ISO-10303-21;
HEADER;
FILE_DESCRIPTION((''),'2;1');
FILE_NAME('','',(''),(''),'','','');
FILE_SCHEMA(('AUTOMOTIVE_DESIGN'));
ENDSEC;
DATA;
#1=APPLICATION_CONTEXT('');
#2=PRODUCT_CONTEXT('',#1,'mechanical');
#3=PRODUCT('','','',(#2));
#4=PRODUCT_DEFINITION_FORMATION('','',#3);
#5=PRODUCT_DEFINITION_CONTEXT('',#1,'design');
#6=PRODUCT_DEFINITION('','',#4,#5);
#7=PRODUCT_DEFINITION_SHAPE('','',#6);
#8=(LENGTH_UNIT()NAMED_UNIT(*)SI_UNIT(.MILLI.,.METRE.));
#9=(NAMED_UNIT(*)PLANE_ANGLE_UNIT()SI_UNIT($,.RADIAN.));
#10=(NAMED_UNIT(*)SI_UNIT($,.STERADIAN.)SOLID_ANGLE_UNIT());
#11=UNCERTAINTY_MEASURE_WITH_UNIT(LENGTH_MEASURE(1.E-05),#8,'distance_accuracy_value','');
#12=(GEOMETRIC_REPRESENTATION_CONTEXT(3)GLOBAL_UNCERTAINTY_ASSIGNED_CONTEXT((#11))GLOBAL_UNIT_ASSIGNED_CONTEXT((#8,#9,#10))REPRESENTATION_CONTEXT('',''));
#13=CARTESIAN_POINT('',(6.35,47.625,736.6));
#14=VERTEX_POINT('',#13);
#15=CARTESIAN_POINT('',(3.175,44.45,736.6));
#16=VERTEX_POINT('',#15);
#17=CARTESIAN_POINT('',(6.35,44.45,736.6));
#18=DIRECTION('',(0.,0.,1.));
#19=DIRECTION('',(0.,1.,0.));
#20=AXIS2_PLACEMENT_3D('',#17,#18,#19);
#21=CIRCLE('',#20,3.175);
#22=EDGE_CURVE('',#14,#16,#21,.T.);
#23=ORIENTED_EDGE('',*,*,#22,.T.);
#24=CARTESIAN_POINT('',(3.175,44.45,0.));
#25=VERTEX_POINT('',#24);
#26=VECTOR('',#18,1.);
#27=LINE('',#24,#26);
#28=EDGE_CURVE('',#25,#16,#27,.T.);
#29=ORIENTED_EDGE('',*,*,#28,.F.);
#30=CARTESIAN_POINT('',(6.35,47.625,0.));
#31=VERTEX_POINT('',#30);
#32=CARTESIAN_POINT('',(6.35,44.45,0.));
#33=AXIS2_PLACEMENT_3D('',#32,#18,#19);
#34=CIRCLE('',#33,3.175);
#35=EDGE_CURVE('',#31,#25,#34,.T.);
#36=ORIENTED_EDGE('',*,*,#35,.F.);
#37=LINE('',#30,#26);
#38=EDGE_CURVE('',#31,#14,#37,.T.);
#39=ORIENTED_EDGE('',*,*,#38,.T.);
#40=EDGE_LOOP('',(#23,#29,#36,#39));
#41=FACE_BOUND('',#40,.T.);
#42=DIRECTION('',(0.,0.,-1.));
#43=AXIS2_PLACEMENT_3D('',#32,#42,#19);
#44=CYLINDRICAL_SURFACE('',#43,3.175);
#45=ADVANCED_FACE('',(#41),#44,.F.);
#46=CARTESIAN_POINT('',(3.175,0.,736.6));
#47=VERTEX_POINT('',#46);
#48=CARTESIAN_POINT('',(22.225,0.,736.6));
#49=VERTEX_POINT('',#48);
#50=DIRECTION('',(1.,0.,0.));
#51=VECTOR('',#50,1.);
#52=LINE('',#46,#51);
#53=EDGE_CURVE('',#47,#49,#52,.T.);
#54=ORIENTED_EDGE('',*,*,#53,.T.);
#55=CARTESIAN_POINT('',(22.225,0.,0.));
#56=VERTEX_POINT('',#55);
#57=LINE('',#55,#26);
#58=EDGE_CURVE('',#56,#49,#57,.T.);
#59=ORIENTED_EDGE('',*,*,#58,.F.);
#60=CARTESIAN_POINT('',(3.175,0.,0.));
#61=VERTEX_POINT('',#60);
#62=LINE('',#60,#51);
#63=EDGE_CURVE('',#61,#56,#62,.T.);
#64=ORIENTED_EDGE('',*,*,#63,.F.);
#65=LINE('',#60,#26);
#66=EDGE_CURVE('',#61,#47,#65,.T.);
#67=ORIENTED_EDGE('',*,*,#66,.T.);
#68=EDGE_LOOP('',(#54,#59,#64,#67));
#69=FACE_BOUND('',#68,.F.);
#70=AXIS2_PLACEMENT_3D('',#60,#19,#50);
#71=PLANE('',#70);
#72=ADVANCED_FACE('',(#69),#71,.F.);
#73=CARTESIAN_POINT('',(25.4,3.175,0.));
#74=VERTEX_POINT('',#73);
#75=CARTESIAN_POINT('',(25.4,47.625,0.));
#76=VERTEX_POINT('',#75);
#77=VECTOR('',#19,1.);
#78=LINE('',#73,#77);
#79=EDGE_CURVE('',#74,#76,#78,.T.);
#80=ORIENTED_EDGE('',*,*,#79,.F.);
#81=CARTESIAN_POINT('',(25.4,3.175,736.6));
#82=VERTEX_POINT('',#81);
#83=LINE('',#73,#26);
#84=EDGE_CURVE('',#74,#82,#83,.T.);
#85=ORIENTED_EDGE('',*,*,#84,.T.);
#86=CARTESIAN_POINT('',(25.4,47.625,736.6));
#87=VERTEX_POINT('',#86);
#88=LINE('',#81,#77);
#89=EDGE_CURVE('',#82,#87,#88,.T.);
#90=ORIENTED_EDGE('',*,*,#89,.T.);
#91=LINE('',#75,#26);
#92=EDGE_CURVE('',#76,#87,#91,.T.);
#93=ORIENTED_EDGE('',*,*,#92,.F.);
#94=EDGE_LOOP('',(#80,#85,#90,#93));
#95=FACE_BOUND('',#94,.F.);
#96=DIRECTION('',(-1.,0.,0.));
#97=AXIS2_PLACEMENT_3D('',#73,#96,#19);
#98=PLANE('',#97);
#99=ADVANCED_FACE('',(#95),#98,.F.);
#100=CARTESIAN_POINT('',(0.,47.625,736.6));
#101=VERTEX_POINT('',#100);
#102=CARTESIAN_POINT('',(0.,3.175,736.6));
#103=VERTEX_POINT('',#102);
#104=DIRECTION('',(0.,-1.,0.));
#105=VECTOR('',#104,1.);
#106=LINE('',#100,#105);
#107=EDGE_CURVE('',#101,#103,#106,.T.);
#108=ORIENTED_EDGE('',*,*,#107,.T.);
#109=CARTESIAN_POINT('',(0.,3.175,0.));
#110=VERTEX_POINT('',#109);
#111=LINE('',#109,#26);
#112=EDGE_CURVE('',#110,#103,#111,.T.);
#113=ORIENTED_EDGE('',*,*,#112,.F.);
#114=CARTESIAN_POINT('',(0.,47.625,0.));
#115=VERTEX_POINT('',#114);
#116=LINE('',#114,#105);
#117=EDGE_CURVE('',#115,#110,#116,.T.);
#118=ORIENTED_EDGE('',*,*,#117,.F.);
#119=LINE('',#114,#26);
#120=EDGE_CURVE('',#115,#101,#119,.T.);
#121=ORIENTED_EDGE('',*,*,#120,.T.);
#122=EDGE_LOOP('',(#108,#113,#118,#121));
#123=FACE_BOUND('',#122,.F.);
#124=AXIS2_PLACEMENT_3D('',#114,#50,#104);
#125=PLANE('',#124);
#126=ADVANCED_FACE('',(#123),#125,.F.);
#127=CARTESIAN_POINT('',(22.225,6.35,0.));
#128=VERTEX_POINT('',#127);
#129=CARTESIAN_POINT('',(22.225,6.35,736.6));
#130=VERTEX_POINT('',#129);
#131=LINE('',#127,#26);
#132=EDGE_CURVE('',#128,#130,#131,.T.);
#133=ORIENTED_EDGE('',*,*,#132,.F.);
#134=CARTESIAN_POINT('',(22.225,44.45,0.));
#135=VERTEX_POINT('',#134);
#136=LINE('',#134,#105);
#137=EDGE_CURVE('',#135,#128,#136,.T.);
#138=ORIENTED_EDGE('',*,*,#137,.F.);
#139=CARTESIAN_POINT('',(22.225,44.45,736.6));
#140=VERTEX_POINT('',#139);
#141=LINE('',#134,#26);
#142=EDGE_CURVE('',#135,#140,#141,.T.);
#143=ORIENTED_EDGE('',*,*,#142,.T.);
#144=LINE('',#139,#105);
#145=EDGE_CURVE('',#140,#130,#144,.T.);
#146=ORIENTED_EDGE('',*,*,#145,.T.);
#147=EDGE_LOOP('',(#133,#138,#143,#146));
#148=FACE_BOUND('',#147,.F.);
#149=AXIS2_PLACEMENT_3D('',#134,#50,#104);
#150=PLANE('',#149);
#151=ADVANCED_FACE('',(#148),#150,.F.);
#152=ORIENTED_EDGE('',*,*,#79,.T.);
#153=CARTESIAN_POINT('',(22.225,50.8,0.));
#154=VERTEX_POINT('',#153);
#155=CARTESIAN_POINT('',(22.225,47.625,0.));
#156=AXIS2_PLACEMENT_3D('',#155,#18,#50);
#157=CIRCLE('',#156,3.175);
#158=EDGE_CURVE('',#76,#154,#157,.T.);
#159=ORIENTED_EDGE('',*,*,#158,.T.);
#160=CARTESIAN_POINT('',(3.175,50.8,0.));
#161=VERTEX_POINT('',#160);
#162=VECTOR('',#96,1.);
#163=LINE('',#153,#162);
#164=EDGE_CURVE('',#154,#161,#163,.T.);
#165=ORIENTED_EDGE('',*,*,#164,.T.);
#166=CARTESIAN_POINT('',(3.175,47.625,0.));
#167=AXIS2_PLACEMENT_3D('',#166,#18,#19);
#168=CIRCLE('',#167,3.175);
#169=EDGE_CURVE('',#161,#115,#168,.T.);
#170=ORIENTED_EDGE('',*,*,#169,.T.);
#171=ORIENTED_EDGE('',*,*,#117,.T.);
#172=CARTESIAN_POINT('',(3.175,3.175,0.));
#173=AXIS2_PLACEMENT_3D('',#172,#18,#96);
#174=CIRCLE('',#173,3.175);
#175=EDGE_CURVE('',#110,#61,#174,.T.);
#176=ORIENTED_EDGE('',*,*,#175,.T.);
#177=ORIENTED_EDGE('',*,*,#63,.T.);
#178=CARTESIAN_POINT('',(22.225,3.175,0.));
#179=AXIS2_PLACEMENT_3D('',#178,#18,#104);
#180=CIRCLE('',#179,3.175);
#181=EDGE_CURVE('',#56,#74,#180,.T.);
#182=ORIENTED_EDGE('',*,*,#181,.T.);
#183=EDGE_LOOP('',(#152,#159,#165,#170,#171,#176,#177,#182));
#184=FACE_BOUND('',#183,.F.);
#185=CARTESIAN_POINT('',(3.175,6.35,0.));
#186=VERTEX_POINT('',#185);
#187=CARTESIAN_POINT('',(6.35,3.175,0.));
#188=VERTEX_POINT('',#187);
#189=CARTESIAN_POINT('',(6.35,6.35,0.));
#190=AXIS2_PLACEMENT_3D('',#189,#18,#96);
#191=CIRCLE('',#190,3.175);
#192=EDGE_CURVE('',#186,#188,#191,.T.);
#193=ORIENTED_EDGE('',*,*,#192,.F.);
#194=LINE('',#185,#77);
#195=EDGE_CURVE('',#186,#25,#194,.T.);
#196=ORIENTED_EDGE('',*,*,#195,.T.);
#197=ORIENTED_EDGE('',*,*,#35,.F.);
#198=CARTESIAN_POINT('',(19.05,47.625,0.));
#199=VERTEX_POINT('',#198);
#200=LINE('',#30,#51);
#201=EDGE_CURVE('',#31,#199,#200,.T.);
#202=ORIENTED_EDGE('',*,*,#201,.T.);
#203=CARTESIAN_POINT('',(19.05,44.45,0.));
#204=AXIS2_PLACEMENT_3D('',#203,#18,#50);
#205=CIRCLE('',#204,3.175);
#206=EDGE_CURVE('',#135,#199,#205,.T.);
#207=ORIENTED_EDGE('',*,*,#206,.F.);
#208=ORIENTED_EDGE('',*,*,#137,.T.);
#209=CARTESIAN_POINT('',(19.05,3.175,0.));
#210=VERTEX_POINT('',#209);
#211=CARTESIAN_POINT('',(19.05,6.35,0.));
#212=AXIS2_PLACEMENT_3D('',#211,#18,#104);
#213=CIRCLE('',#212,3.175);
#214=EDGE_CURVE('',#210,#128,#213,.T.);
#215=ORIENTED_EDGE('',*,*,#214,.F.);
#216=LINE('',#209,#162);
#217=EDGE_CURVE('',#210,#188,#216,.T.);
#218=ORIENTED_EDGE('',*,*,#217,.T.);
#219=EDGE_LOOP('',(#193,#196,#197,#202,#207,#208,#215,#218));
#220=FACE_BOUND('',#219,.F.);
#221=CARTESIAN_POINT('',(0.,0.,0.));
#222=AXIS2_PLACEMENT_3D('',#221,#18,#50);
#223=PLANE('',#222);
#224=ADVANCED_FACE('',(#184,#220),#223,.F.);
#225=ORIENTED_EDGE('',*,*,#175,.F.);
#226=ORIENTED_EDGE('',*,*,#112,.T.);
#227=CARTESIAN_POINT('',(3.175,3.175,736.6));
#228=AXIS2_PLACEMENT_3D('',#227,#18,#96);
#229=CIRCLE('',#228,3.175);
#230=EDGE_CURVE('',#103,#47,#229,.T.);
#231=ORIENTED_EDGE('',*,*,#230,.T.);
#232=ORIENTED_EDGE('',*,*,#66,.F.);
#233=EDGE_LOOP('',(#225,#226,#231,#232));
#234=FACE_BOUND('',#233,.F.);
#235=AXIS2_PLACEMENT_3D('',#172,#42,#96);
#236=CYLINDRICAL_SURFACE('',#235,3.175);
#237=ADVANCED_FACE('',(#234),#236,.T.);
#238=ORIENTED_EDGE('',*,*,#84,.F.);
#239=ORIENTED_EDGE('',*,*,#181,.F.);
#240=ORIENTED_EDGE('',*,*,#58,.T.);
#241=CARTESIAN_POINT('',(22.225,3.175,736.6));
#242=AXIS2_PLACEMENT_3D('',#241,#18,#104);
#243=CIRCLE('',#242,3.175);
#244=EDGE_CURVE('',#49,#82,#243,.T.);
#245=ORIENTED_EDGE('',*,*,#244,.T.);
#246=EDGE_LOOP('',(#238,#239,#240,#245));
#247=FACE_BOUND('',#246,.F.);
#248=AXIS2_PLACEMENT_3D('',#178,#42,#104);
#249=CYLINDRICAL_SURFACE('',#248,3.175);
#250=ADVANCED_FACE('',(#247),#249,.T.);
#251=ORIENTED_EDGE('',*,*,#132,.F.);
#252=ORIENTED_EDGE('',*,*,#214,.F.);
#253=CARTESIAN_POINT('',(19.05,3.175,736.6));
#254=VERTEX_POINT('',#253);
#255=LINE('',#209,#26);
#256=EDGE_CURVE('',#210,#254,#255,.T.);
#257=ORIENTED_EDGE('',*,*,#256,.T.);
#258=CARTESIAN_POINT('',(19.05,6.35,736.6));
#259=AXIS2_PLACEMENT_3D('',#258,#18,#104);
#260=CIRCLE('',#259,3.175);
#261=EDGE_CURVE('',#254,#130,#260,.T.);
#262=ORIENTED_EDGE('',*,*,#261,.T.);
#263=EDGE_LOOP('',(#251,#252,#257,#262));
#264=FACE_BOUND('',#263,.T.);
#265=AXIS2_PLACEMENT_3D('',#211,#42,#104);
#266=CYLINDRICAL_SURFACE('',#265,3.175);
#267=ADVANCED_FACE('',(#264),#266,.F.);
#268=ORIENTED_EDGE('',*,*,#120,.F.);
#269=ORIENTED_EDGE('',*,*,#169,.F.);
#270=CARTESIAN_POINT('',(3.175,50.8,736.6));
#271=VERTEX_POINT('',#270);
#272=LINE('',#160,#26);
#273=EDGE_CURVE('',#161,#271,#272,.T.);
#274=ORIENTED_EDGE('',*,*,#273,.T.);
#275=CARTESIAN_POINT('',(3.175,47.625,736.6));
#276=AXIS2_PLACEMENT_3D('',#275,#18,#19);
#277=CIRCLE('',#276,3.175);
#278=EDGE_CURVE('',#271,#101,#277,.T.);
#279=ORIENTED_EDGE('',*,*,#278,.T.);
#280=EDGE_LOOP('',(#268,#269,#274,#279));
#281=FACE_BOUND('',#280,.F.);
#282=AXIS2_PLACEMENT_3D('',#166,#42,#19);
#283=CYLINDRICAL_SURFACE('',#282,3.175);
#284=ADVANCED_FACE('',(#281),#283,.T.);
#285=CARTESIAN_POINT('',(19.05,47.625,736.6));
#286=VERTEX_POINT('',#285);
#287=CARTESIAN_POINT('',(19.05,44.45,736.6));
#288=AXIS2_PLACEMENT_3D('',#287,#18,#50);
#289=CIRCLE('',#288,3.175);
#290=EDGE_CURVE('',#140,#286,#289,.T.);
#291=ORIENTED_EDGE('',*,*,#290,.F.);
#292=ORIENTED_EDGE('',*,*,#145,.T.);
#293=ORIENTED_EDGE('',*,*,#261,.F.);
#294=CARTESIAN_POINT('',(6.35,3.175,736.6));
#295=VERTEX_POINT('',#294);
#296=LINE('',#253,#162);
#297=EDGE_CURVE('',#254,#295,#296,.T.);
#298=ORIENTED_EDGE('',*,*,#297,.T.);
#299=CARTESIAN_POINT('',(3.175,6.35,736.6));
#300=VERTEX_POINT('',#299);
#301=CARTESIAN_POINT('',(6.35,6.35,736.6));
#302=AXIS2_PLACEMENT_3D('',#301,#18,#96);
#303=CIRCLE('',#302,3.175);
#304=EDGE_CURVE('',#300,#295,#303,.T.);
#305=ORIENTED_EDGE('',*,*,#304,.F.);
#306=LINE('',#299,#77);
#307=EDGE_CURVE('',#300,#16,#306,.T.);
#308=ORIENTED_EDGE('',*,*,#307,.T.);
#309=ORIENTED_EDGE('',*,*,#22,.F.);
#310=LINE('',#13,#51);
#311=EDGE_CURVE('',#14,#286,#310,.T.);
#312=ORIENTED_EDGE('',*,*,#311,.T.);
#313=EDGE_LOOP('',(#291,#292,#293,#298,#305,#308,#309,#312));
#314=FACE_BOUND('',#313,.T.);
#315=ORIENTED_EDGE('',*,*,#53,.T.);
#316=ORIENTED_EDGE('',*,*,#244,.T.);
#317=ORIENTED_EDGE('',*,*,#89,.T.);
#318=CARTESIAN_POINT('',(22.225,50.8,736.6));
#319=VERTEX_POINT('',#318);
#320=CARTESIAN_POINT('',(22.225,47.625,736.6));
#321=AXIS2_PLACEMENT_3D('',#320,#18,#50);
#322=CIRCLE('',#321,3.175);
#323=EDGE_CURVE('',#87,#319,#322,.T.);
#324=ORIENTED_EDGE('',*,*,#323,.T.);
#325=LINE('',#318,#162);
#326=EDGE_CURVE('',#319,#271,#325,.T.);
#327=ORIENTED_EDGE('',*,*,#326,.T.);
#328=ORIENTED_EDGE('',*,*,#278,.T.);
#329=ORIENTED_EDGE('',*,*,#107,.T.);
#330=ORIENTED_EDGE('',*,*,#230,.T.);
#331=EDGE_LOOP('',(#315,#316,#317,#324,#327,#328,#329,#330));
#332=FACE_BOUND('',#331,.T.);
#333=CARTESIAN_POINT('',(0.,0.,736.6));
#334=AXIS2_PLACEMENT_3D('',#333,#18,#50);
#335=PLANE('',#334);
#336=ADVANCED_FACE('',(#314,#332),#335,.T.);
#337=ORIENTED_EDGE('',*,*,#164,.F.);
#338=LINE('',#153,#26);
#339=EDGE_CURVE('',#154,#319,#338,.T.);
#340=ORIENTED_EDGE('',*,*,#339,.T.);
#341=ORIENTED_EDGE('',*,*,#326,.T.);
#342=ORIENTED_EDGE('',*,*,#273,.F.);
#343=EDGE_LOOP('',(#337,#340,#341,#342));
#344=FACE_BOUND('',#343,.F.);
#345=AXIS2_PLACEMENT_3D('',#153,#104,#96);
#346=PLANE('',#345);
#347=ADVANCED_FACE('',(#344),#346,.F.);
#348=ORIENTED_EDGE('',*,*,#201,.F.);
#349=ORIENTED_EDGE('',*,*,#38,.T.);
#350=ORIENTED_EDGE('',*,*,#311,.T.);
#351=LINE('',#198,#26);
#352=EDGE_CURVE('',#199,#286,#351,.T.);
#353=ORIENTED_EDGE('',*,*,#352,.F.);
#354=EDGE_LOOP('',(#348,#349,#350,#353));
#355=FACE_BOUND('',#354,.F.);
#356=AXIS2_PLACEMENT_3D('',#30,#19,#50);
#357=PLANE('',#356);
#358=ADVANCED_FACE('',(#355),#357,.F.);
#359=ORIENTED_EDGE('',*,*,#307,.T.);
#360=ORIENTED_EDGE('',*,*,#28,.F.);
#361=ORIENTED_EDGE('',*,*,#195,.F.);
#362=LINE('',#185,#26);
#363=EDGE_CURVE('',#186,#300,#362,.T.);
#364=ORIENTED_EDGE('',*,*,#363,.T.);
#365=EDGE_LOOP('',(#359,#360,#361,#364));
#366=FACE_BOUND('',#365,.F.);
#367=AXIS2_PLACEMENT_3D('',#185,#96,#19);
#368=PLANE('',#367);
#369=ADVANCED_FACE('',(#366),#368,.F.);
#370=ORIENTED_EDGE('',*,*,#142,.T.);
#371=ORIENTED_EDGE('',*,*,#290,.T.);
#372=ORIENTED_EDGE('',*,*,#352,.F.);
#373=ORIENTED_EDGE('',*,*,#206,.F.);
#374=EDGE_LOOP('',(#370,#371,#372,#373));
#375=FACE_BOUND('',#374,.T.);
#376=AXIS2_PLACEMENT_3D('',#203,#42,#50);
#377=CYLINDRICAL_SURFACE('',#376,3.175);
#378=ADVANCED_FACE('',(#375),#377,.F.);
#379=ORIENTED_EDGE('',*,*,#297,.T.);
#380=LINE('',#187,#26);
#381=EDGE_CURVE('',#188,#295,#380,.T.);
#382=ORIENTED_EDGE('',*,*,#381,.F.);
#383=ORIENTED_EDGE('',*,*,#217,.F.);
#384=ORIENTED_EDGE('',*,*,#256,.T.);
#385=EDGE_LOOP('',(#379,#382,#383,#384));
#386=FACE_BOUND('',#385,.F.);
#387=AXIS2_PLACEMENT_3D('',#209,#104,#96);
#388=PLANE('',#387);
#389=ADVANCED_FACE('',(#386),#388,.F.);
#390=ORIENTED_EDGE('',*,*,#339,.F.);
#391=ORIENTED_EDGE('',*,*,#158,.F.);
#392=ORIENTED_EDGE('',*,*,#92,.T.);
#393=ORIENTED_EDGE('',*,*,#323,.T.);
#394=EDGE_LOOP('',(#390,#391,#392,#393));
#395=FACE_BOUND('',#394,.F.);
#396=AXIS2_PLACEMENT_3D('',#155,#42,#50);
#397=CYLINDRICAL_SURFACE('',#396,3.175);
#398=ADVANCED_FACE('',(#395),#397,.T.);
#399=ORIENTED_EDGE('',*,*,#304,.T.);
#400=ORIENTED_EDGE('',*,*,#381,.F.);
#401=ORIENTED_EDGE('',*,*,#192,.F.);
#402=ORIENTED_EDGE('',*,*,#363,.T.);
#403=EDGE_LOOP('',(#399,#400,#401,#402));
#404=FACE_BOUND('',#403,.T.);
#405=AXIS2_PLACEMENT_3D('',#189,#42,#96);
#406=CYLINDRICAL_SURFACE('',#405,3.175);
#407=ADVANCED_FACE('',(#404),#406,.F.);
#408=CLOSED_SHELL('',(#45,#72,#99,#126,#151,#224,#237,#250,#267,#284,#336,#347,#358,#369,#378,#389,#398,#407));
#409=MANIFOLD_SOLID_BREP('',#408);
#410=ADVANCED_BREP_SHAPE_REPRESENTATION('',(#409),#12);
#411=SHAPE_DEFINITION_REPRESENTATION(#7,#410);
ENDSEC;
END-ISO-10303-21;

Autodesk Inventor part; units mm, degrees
ref_plane "YZ Plane" through (0, 0, 0) normal (1, 0, 0) x (0, 1, 0)
ref_plane "XZ Plane" through (0, 0, 0) normal (0, 1, 0) x (-1, 0, 0)
ref_plane "XY Plane" through (0, 0, 0) normal (0, 0, 1) x (1, 0, 0)
sketch "Sketch1" plane through (0, 0, 0) normal (0, 0, 1) x (1, 0, 0)
  line L0 (3.175, 0) -> (22.225, 0)
  line L1 (25.4, 3.175) -> (25.4, 47.625)
  line L2 (22.225, 50.8) -> (3.175, 50.8)
  line L3 (0, 47.625) -> (0, 3.175)
  arc A0 (3.175, 50.8) -> (0, 47.625) centre (3.175, 47.625) ccw
  arc A1 (25.4, 47.625) -> (22.225, 50.8) centre (22.225, 47.625) ccw
  arc A2 (22.225, 0) -> (25.4, 3.175) centre (22.225, 3.175) ccw
  arc A3 (0, 3.175) -> (3.175, 0) centre (3.175, 3.175) ccw
  line L4 (6.35, 47.625) -> (19.05, 47.625)
  line L5 (22.225, 44.45) -> (22.225, 6.35)
  line L6 (19.05, 3.175) -> (6.35, 3.175)
  line L7 (3.175, 6.35) -> (3.175, 44.45)
  arc A4 (6.35, 47.625) -> (3.175, 44.45) centre (6.35, 44.45) ccw
  arc A5 (22.225, 44.45) -> (19.05, 47.625) centre (19.05, 44.45) ccw
  arc A6 (3.175, 6.35) -> (6.35, 3.175) centre (6.35, 6.35) ccw
  arc A7 (19.05, 3.175) -> (22.225, 6.35) centre (19.05, 6.35) ccw
  point P0 (0, 0)
  point P1 (25.4, 0)
  point P2 (0, 50.8)
  dimension "d0" = 50.8
  dimension "d1" = 25.4
  dimension "d2" = 3.175
  dimension "d3" = 3.175
  dimension "d4" = 3.175
  dimension "d5" = 3.175
  dimension "d6" = 3.175
  dimension "d7" = 3.175
  dimension "d8" = 3.175
  dimension "d9" = 3.175
  dimension "d10" = 3.175
extrude "Extrusion1" add sketch "Sketch1" along normal blind 736.6
properties part number "O channel 29 inch"
